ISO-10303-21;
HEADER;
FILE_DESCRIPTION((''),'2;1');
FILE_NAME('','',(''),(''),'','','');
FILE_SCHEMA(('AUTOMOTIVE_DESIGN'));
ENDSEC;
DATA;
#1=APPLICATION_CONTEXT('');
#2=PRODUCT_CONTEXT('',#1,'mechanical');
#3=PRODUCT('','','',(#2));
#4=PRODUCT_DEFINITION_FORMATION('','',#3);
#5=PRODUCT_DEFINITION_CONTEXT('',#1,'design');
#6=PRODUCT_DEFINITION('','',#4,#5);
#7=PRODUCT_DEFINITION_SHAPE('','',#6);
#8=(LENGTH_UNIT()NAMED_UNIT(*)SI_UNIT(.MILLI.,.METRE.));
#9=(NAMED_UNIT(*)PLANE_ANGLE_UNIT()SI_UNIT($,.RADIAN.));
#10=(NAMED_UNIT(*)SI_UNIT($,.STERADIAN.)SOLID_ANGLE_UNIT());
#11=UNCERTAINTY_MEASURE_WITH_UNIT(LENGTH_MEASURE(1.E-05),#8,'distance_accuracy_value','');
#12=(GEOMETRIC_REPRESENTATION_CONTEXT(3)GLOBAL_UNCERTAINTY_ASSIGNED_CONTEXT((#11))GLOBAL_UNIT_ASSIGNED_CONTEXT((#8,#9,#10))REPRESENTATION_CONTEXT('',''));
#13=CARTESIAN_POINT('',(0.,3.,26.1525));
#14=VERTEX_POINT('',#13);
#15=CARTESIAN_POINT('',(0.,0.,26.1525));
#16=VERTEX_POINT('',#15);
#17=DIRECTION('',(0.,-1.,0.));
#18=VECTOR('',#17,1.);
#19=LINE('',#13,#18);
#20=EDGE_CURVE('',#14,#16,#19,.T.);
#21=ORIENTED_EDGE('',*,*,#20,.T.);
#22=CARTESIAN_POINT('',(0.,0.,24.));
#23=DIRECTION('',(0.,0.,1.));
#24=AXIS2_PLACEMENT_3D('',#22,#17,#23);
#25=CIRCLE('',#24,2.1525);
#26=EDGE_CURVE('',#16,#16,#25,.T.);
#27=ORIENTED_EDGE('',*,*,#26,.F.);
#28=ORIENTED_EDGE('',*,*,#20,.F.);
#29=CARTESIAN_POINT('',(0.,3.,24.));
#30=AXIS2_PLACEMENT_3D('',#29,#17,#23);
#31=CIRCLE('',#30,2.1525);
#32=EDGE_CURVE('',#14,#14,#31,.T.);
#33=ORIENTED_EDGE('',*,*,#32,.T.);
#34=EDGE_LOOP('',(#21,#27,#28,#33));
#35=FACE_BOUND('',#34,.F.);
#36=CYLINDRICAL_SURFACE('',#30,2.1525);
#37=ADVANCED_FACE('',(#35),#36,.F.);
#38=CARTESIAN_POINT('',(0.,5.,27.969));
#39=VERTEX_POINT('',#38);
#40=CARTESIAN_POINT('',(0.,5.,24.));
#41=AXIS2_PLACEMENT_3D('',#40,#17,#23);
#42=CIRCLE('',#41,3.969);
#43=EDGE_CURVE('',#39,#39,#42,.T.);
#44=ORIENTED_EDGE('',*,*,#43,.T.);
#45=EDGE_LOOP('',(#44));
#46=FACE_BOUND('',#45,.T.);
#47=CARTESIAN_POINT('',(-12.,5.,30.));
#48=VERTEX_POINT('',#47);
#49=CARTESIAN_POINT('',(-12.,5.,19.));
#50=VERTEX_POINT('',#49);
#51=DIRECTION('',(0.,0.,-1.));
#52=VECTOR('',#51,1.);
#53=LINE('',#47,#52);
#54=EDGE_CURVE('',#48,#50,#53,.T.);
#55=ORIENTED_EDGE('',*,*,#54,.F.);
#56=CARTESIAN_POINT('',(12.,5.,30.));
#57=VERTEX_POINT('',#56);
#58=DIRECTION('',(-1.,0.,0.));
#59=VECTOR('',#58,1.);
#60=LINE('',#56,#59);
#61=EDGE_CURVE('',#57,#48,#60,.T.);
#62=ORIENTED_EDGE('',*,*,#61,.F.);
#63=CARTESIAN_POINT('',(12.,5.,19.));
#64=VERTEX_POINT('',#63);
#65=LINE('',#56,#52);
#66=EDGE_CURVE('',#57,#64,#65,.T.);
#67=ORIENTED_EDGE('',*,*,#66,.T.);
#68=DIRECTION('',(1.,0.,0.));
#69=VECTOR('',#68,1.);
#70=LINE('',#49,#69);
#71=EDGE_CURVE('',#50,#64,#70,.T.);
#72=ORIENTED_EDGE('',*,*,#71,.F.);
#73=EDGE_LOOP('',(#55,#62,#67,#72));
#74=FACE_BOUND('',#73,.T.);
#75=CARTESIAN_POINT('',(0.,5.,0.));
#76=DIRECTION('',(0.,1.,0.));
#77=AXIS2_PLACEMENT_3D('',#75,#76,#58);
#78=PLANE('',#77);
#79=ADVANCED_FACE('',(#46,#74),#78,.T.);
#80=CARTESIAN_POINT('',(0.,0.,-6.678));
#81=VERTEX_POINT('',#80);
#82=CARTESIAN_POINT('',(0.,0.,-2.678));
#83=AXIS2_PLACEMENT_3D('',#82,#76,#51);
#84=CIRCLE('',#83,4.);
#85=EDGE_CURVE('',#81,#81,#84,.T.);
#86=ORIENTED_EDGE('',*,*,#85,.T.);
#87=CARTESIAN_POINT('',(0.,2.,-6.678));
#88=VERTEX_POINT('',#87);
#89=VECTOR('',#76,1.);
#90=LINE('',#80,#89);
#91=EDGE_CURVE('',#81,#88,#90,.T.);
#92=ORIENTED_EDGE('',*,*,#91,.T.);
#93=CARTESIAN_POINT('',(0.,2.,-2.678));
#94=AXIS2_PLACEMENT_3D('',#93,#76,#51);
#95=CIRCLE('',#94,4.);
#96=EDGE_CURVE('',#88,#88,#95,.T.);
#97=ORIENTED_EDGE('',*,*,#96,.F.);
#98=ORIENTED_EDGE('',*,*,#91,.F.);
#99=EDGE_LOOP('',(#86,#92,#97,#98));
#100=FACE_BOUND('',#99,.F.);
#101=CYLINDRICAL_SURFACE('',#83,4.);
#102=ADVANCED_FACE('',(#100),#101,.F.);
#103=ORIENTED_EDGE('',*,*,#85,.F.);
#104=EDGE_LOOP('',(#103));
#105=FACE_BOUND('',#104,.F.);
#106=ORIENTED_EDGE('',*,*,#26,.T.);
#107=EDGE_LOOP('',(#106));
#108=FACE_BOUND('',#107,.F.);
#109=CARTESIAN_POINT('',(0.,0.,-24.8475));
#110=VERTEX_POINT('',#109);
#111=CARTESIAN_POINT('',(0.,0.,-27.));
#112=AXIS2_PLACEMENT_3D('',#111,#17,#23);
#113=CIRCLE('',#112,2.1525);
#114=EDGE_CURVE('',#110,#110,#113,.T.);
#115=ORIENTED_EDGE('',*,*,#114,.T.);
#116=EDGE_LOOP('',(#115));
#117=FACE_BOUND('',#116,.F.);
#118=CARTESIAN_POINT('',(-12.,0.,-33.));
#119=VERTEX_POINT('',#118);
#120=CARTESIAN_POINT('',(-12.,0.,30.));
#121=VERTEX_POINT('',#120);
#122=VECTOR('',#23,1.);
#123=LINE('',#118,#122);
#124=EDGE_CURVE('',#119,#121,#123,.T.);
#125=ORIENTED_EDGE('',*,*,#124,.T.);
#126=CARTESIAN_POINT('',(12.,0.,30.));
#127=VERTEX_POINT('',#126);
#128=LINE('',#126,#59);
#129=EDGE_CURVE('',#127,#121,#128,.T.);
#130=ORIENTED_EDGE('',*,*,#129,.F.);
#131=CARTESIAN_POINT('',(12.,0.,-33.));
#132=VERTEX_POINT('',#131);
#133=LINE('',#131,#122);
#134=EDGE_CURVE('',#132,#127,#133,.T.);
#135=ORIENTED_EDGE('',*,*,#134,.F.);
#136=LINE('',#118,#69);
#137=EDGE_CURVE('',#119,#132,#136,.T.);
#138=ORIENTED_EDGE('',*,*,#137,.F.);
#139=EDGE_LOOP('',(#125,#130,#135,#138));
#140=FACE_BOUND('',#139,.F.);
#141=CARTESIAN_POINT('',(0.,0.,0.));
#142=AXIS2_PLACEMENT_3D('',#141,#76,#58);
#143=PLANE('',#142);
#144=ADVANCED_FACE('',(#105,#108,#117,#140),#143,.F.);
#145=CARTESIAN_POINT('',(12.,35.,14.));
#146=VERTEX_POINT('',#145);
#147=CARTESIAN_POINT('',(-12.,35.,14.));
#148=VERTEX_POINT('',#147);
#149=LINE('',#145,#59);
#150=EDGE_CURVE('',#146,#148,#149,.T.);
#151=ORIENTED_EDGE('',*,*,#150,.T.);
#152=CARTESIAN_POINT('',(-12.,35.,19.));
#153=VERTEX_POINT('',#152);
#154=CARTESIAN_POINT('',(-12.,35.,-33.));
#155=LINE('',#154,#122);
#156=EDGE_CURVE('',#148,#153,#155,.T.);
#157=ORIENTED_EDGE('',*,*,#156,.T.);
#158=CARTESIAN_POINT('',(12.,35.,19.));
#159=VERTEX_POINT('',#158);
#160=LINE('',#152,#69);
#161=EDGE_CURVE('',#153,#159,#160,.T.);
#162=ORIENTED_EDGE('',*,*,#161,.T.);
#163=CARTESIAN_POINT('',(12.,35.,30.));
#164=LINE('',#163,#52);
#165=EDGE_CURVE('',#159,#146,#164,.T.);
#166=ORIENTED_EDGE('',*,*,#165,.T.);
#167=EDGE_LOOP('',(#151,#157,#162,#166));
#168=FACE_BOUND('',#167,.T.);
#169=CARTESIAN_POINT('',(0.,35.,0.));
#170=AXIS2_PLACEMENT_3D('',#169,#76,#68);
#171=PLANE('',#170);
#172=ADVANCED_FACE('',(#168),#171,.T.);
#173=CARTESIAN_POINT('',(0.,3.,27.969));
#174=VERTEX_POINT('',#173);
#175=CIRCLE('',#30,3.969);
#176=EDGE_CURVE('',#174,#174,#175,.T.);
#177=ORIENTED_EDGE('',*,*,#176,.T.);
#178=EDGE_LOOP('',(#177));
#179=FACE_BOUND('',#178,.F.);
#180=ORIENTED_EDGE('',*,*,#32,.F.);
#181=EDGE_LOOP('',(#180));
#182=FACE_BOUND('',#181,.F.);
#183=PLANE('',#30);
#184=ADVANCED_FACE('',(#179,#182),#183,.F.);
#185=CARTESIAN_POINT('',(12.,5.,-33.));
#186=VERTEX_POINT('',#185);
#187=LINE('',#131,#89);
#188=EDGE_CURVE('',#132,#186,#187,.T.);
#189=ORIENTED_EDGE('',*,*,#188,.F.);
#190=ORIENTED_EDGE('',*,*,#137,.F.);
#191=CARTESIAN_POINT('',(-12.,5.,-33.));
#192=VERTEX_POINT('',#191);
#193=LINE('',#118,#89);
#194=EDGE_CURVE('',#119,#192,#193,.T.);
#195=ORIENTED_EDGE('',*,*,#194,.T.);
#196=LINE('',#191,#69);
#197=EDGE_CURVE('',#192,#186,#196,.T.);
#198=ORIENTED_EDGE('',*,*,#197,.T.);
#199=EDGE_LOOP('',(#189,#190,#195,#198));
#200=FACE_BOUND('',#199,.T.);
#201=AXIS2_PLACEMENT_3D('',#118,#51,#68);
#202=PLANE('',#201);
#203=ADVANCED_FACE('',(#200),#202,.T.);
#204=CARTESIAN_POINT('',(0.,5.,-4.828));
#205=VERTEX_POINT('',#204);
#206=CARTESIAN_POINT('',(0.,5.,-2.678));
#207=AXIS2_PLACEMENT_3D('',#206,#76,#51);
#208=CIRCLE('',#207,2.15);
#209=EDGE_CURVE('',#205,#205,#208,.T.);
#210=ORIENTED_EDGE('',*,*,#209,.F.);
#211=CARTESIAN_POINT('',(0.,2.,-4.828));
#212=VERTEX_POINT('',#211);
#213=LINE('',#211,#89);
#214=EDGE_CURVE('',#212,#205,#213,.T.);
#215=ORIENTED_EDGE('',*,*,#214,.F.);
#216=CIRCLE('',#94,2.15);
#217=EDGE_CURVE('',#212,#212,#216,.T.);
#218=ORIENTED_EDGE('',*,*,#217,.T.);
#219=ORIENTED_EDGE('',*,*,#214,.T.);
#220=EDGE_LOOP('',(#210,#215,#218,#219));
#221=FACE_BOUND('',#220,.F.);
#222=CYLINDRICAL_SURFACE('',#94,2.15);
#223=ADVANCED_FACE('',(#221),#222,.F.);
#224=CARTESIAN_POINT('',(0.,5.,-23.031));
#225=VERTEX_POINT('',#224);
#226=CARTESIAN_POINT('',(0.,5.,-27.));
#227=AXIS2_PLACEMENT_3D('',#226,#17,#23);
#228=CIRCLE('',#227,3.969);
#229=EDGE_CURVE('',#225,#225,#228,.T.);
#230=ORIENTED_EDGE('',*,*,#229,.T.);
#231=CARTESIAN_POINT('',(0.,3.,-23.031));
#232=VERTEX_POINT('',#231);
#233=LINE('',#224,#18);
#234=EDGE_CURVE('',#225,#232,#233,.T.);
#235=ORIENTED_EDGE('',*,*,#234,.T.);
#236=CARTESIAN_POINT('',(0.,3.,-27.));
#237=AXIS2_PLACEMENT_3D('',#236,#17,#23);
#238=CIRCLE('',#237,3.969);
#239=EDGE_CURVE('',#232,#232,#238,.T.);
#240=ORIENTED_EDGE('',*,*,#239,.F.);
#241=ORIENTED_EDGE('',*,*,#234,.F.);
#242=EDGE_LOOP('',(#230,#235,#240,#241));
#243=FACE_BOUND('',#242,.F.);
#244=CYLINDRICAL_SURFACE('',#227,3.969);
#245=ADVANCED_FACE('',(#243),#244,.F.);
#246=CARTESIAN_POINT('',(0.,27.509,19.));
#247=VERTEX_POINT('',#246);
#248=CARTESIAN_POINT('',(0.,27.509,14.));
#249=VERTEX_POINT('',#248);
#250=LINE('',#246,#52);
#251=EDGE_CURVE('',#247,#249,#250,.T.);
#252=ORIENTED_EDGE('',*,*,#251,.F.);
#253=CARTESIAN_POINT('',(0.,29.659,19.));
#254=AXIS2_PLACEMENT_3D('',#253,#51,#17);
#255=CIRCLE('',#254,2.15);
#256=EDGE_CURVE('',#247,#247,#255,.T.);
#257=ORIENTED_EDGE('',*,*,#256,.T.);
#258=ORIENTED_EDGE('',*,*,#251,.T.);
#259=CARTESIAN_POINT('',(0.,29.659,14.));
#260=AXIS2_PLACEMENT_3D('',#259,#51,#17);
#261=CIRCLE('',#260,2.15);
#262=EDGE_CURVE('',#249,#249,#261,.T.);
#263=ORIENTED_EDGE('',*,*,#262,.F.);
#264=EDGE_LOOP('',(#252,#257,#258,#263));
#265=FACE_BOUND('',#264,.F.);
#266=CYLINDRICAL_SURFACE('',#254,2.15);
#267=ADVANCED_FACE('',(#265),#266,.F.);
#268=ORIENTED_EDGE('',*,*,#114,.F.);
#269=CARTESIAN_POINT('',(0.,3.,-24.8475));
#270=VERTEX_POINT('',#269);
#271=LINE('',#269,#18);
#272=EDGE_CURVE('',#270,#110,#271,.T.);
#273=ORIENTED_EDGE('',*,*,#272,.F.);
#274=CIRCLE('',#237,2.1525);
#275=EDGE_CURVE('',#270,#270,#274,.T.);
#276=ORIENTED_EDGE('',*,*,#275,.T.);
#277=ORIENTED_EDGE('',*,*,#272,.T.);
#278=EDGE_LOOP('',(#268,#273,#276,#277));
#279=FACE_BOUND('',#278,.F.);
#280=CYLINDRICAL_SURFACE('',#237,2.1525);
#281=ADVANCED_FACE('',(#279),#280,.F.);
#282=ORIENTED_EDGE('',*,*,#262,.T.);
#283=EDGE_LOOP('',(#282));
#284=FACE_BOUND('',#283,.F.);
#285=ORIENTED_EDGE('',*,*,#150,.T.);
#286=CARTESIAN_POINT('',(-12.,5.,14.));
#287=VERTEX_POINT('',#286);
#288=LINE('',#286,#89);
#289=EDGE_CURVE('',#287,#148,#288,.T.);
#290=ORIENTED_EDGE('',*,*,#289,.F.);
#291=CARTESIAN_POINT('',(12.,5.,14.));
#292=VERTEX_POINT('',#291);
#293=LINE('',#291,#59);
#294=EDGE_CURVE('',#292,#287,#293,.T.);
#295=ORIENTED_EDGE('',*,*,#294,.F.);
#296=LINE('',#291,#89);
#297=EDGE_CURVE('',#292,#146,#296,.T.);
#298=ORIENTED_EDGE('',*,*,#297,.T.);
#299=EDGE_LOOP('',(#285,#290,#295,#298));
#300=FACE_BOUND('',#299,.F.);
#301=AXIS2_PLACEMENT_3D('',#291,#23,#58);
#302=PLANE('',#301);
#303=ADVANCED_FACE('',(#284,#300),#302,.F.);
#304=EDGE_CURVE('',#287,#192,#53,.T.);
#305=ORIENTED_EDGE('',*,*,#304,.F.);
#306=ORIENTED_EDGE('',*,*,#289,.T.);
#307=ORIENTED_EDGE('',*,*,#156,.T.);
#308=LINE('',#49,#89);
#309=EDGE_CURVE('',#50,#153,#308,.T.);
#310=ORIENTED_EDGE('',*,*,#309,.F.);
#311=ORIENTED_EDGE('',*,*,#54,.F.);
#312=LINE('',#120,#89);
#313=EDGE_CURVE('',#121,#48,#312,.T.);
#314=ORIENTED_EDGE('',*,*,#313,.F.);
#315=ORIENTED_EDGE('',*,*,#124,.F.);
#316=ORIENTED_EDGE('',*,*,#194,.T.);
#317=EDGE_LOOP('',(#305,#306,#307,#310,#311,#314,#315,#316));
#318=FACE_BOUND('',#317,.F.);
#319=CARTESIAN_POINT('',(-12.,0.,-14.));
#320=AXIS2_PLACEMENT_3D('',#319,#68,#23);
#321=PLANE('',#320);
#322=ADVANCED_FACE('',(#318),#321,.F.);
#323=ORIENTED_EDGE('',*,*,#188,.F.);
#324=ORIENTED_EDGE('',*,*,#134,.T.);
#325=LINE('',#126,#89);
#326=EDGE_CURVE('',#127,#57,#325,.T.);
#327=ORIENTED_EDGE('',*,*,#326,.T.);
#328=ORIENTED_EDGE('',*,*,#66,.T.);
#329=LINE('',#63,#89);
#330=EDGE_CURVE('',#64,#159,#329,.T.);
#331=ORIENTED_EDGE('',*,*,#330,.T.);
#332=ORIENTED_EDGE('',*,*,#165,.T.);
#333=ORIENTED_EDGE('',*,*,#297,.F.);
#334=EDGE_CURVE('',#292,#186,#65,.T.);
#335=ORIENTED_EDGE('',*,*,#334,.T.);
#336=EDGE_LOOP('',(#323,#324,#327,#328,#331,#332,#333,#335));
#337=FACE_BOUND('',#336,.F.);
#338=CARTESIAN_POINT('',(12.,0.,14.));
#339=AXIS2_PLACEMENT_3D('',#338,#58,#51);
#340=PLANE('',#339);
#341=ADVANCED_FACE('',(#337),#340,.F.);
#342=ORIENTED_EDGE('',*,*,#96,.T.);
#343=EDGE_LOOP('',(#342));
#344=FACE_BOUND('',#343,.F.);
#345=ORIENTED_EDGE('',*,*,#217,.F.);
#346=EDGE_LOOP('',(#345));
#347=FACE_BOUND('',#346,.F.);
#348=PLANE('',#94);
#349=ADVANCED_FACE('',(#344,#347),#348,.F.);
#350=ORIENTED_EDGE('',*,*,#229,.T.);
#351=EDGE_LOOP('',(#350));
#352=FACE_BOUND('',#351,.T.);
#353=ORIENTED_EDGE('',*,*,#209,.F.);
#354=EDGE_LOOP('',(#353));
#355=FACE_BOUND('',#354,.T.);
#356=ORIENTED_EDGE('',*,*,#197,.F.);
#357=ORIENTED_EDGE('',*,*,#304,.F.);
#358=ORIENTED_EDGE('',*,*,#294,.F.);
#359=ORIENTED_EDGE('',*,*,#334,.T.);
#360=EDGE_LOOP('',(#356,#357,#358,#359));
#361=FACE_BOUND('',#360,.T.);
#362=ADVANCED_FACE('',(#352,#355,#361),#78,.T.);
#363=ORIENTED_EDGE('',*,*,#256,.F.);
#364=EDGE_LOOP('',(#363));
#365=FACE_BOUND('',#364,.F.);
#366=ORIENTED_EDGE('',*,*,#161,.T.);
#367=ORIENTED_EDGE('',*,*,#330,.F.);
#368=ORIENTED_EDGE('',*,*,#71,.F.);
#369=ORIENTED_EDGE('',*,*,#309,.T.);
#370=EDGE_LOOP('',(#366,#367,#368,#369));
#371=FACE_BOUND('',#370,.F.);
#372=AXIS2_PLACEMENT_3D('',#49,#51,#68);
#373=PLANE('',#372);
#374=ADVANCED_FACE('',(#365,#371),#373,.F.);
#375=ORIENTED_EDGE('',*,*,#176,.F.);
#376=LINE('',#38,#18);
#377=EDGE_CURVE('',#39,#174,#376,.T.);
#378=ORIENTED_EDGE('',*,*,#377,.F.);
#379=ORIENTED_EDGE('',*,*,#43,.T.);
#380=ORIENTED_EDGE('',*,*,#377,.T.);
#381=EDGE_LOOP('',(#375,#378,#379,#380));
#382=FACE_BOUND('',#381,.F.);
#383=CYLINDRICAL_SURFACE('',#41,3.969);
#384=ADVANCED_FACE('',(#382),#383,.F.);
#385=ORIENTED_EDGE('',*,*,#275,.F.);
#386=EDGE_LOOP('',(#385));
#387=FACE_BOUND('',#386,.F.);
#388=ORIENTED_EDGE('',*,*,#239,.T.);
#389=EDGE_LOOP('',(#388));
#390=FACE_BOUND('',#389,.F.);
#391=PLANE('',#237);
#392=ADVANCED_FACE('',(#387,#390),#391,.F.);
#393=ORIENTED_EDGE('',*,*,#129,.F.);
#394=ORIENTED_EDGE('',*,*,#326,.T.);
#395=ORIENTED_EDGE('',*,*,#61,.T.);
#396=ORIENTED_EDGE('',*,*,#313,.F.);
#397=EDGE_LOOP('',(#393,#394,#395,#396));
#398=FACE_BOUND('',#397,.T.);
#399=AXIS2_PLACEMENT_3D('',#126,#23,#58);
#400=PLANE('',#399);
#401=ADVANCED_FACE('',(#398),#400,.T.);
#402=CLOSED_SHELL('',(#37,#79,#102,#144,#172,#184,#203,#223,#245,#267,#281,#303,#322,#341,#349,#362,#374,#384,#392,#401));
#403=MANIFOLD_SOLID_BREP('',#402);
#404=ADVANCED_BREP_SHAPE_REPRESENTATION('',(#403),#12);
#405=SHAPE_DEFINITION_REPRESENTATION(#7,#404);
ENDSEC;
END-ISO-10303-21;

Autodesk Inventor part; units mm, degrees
ref_plane "YZ Plane" through (0, 0, 0) normal (1, 0, 0) x (0, 1, 0)
ref_plane "XZ Plane" through (0, 0, 0) normal (0, 1, 0) x (-1, 0, 0)
ref_plane "XY Plane" through (0, 0, 0) normal (0, 0, 1) x (1, 0, 0)
sketch "Sketch14" plane through (0, 0, 0) normal (0, 1, 0) x (-1, 0, 0)
  line L0 (12, 14) -> (-12, 14)
  line L1 (-12, 14) -> (-12, -14)
  line L2 (-12, -14) -> (12, -14)
  line L3 (12, -14) -> (12, 14)
  line L4 (12, 14) -> (-12, -14) construction
  line L5 (-12, 14) -> (12, -14) construction
  line L6 (12, 14) -> (-12, 14)
  line L7 (-12, 14) -> (-12, 30)
  line L8 (-12, 30) -> (12, 30)
  line L9 (12, 30) -> (12, 14)
  line L10 (-12, -14) -> (12, -14)
  line L11 (12, -14) -> (12, -33)
  line L12 (12, -33) -> (-12, -33)
  line L13 (-12, -33) -> (-12, -14)
  point P0 (0, 0)
  point P1 (12, -14)
  dimension "d93" = 28
  dimension "d94" = 24
  dimension "d95" = 16
  dimension "d111" = 19
extrude "Extrusion8" add sketch "Sketch14" along normal blind 5
sketch "Sketch17" plane through (0, 5, 0) normal (0, 1, 0) x (1, 0, 0)
  line L0 (-12, -30) -> (12, -30) projected
  line L1 (12, 33) -> (-12, 33) projected
  point P0 (0, 0)
  point P1 (0, 27)
  point P2 (0, -24)
  dimension "d119" = 0
  dimension "d121" = 6
  dimension "d122" = 0
  dimension "d125" = 6
hole "Hole8" at (0, 5, -27) at (0, 5, 24) direction (0, -1, 0) diameter 4.305 end through all counterbore diameter 7.938 counterbore depth 2 clearance for "Socket Head Cap Screw" size "#8" standard "Ansi Unified Screw Threads"
sketch "Sketch18" plane through (0, 5, 0) normal (0, 1, 0) x (1, 0, 0)
  line L0 (12, -30) -> (12, 33) projected
  line L1 (-12, 33) -> (-12, -30) projected
  line L2 (12, -14) -> (-12, -14)
  line L3 (-12, -14) -> (-12, -19)
  line L4 (-12, -19) -> (12, -19)
  line L5 (12, -19) -> (12, -14)
  point P0 (0, 0)
  point P1 (-12, -14)
  dimension "d126" = 5
  dimension "d127" = 14
extrude "Extrusion10" add sketch "Sketch18" along normal blind 30
sketch "Sketch19" plane through (-12, 5, 19) normal (0, 0, 1) x (1, 0, 0)
  line L0 (0, 0) -> (24, 0) projected
  line L1 (0, 0) -> (0, 30) projected
  point P0 (12, -5)
  point P1 (12, 24.659)
  dimension "d138" = 24.659
  dimension "d148" = 12
hole "Hole9" at (0, 29.659, 19) direction (0, 0, -1) diameter 4.3 depth 11.8 clearance for "Socket Head Cap Screw" size "M4" standard "Ansi Metric M Profile"
sketch "Sketch20" plane through (0, 0, 0) normal (0, -1, 0) x (1, 0, 0)
  line L0 (-12, 14) -> (12, 14) projected
  point P0 (0, 0)
  point P1 (0, -2.678)
  dimension "d146" = 16.678
  dimension "d147" = 0
hole "Hole10" at (0, 0, -2.678) direction (0, 1, 0) diameter 4.3 depth 11.8 counterbore diameter 8 counterbore depth 2 clearance for "Socket Head Cap Screw" size "M4" standard "Ansi Metric M Profile"
equation "\"d138\" = a"
equation "\"d146\" = b"
equation "\"LASER_HOLE_HEIGHT\" = 16.7"
equation "\"a\" = 24.659"
equation "\"b\" = 16.678"
properties part number "UEOM L mount Vertical"
